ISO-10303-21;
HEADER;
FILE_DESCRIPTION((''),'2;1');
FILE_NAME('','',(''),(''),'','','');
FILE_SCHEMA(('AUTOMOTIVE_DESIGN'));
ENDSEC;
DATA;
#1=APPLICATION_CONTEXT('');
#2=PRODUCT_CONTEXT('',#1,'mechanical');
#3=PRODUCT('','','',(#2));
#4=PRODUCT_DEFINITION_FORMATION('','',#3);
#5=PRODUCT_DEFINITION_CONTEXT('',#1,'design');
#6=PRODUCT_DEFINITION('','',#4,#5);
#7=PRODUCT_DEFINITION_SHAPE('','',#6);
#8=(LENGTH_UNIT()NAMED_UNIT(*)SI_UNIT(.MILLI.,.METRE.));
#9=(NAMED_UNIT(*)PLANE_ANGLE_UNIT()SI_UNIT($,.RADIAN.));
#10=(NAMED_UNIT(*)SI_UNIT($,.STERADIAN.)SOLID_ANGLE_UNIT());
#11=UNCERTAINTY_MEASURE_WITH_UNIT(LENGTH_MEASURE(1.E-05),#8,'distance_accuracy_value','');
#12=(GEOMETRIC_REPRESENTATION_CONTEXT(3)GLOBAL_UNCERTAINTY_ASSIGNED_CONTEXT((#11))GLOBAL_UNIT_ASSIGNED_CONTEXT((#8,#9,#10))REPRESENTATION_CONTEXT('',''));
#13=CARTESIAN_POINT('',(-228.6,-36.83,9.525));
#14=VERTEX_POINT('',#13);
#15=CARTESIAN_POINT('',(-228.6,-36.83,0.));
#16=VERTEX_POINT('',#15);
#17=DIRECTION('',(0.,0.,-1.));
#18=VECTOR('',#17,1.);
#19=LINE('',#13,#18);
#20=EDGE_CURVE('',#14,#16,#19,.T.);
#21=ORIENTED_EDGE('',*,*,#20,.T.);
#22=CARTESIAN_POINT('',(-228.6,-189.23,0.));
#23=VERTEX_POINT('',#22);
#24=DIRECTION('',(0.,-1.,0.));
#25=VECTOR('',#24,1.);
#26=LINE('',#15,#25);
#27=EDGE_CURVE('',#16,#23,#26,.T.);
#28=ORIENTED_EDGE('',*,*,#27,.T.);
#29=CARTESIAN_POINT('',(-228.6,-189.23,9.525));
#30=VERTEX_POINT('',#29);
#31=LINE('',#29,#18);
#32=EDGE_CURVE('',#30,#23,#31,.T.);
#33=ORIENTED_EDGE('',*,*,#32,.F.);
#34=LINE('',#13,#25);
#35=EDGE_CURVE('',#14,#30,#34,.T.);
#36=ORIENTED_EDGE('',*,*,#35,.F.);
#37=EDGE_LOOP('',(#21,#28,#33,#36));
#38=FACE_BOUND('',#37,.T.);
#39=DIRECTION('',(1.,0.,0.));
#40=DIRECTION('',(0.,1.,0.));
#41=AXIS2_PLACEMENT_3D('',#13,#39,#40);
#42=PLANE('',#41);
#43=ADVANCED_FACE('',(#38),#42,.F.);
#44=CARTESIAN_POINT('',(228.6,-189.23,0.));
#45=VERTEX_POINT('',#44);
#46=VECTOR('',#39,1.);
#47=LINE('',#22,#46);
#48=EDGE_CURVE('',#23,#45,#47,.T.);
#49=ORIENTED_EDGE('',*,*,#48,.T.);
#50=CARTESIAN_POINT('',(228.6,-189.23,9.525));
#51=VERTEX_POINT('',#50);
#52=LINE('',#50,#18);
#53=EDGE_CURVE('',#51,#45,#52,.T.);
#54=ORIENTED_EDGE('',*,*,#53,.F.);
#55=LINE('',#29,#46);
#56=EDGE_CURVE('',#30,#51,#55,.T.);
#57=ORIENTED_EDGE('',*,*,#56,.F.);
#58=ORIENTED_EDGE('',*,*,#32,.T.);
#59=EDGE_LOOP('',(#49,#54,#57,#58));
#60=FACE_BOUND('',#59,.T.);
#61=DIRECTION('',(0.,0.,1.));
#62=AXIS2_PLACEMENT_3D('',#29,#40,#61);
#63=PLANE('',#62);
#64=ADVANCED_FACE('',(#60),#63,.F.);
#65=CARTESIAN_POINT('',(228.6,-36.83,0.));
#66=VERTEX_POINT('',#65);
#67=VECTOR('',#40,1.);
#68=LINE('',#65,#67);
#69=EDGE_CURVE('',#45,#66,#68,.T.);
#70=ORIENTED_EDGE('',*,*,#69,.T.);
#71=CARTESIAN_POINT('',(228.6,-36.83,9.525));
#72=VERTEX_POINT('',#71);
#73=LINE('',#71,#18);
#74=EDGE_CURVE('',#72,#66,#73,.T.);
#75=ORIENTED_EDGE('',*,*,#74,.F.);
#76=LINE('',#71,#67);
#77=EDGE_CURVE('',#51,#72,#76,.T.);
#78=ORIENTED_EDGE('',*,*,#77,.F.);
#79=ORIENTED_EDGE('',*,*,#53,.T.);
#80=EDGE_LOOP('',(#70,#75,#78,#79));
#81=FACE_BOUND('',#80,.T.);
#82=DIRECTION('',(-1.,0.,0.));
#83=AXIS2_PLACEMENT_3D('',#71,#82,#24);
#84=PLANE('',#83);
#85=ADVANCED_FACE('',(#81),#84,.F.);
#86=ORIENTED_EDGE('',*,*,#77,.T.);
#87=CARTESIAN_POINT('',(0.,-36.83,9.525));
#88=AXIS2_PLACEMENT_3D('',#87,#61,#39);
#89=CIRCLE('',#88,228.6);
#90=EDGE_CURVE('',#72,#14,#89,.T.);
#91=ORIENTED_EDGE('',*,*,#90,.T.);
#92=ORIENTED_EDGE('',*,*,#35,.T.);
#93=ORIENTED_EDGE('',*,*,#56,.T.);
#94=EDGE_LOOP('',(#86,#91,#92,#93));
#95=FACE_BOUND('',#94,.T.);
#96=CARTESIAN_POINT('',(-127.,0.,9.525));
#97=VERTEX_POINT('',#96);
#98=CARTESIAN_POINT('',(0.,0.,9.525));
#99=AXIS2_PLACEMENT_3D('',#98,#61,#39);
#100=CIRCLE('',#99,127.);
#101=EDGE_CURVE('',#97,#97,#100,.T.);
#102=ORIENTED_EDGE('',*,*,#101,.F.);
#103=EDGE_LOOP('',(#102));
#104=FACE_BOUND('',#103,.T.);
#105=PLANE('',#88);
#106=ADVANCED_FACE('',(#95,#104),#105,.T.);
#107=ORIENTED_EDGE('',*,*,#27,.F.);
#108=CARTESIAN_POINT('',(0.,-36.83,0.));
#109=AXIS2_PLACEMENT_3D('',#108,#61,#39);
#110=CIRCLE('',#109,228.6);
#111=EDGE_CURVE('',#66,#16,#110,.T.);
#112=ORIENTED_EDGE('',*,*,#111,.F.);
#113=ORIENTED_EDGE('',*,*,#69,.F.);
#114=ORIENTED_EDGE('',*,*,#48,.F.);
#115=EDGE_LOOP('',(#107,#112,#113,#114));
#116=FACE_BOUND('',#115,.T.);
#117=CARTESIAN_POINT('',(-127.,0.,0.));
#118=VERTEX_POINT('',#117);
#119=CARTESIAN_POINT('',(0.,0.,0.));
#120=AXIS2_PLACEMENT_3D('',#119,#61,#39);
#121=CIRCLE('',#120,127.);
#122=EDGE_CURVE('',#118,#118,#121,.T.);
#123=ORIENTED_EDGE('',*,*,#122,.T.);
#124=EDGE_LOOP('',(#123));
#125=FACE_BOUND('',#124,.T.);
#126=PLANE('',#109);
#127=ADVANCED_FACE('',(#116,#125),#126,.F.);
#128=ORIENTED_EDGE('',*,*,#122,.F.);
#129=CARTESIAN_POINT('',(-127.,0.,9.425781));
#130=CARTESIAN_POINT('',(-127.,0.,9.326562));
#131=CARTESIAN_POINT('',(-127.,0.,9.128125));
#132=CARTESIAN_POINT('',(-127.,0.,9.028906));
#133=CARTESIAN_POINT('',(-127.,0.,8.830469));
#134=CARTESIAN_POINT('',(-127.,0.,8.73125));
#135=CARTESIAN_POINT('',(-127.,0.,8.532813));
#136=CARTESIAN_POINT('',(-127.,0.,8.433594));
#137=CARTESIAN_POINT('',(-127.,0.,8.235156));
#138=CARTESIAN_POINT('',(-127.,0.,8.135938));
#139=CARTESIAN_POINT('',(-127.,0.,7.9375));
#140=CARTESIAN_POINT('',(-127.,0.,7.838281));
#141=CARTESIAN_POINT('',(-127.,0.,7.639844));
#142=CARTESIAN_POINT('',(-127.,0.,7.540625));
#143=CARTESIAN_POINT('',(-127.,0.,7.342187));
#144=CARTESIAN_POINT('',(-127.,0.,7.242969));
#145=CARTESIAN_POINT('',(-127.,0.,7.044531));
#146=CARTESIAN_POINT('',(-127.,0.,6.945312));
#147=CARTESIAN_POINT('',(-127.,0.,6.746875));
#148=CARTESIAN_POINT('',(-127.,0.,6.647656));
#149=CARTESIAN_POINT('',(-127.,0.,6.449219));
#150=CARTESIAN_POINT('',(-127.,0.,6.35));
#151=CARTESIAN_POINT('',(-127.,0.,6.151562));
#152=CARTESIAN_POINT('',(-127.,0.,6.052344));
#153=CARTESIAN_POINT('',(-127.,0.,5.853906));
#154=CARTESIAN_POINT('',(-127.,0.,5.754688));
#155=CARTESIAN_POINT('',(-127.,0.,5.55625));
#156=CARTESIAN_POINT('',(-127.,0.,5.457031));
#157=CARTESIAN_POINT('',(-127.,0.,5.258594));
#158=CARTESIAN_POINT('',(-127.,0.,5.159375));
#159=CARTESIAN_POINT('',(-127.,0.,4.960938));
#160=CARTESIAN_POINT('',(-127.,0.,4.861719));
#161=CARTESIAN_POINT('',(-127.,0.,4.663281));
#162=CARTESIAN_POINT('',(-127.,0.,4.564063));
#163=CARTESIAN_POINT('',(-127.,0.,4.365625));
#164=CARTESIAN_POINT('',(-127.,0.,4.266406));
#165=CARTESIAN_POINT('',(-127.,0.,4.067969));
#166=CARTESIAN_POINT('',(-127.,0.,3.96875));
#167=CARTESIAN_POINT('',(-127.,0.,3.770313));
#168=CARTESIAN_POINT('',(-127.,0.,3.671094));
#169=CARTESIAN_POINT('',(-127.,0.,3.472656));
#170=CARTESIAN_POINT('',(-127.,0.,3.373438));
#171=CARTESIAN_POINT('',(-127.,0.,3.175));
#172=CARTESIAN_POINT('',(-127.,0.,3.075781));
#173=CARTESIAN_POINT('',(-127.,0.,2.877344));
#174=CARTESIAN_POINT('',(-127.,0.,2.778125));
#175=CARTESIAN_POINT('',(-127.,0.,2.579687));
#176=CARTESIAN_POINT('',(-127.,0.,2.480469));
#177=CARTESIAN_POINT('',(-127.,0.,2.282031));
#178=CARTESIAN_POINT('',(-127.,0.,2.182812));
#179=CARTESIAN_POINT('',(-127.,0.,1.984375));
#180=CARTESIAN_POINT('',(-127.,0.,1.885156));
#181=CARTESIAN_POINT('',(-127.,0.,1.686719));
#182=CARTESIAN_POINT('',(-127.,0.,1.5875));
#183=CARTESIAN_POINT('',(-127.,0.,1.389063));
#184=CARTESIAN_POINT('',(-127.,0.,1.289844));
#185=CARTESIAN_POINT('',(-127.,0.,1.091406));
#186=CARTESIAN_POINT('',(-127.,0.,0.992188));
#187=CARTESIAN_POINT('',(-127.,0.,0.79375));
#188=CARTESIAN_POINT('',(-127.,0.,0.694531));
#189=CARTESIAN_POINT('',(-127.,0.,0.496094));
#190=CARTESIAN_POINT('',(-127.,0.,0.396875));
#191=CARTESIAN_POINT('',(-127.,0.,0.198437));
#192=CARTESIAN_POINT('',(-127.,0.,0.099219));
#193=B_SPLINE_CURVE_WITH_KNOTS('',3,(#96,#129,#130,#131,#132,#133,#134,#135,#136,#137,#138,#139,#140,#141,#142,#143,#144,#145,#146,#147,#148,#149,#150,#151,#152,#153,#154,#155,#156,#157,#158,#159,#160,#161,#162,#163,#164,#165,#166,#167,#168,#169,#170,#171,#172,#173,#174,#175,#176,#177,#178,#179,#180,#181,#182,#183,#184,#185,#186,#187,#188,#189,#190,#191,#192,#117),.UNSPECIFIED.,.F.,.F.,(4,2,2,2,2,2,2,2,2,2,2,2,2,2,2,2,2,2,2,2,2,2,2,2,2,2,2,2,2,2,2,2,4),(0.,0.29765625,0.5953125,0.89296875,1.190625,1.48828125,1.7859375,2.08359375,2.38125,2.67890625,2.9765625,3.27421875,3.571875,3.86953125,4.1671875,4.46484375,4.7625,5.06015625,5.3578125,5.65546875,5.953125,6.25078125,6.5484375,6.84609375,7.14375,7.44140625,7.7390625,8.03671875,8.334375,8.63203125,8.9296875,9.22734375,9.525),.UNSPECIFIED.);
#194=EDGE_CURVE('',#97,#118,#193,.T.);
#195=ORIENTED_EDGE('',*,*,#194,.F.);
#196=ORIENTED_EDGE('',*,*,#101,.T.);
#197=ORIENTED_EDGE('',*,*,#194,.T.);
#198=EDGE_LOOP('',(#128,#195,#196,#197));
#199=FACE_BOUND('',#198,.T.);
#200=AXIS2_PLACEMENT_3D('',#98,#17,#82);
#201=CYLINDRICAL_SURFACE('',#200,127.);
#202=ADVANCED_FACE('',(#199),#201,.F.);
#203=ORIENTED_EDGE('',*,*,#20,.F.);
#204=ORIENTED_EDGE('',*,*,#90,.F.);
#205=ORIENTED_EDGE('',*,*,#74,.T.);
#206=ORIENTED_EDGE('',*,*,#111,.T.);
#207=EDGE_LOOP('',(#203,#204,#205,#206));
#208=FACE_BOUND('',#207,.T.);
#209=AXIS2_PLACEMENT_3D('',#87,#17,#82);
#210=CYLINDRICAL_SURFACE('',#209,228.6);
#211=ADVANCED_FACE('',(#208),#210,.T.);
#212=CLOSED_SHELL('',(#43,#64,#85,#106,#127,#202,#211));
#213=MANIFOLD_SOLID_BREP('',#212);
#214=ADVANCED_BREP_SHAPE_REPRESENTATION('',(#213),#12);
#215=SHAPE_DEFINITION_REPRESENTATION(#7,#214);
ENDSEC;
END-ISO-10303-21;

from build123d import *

# Parameters (mm, degrees)
SKETCH1_R           = 127
BOSS_EXTRUDE1_DEPTH = 9.525


with BuildPart() as part:
    # Sketch1 → Boss-Extrude1 (new body)
    with BuildSketch(Plane.XY):
        with BuildLine():
            Line((-228.6, -36.83), (-228.6, -189.23))
            Line((-228.6, -189.23), (228.6, -189.23))
            Line((228.6, -189.23), (228.6, -36.83))
            ThreePointArc((228.6, -36.83), (0, 191.77), (-228.6, -36.83))
        make_face()
        with Locations(Location((0, 0, 0), (0, 0, 180))):
            Circle(SKETCH1_R, mode=Mode.SUBTRACT)
    extrude(amount=BOSS_EXTRUDE1_DEPTH)


solid = part.part
